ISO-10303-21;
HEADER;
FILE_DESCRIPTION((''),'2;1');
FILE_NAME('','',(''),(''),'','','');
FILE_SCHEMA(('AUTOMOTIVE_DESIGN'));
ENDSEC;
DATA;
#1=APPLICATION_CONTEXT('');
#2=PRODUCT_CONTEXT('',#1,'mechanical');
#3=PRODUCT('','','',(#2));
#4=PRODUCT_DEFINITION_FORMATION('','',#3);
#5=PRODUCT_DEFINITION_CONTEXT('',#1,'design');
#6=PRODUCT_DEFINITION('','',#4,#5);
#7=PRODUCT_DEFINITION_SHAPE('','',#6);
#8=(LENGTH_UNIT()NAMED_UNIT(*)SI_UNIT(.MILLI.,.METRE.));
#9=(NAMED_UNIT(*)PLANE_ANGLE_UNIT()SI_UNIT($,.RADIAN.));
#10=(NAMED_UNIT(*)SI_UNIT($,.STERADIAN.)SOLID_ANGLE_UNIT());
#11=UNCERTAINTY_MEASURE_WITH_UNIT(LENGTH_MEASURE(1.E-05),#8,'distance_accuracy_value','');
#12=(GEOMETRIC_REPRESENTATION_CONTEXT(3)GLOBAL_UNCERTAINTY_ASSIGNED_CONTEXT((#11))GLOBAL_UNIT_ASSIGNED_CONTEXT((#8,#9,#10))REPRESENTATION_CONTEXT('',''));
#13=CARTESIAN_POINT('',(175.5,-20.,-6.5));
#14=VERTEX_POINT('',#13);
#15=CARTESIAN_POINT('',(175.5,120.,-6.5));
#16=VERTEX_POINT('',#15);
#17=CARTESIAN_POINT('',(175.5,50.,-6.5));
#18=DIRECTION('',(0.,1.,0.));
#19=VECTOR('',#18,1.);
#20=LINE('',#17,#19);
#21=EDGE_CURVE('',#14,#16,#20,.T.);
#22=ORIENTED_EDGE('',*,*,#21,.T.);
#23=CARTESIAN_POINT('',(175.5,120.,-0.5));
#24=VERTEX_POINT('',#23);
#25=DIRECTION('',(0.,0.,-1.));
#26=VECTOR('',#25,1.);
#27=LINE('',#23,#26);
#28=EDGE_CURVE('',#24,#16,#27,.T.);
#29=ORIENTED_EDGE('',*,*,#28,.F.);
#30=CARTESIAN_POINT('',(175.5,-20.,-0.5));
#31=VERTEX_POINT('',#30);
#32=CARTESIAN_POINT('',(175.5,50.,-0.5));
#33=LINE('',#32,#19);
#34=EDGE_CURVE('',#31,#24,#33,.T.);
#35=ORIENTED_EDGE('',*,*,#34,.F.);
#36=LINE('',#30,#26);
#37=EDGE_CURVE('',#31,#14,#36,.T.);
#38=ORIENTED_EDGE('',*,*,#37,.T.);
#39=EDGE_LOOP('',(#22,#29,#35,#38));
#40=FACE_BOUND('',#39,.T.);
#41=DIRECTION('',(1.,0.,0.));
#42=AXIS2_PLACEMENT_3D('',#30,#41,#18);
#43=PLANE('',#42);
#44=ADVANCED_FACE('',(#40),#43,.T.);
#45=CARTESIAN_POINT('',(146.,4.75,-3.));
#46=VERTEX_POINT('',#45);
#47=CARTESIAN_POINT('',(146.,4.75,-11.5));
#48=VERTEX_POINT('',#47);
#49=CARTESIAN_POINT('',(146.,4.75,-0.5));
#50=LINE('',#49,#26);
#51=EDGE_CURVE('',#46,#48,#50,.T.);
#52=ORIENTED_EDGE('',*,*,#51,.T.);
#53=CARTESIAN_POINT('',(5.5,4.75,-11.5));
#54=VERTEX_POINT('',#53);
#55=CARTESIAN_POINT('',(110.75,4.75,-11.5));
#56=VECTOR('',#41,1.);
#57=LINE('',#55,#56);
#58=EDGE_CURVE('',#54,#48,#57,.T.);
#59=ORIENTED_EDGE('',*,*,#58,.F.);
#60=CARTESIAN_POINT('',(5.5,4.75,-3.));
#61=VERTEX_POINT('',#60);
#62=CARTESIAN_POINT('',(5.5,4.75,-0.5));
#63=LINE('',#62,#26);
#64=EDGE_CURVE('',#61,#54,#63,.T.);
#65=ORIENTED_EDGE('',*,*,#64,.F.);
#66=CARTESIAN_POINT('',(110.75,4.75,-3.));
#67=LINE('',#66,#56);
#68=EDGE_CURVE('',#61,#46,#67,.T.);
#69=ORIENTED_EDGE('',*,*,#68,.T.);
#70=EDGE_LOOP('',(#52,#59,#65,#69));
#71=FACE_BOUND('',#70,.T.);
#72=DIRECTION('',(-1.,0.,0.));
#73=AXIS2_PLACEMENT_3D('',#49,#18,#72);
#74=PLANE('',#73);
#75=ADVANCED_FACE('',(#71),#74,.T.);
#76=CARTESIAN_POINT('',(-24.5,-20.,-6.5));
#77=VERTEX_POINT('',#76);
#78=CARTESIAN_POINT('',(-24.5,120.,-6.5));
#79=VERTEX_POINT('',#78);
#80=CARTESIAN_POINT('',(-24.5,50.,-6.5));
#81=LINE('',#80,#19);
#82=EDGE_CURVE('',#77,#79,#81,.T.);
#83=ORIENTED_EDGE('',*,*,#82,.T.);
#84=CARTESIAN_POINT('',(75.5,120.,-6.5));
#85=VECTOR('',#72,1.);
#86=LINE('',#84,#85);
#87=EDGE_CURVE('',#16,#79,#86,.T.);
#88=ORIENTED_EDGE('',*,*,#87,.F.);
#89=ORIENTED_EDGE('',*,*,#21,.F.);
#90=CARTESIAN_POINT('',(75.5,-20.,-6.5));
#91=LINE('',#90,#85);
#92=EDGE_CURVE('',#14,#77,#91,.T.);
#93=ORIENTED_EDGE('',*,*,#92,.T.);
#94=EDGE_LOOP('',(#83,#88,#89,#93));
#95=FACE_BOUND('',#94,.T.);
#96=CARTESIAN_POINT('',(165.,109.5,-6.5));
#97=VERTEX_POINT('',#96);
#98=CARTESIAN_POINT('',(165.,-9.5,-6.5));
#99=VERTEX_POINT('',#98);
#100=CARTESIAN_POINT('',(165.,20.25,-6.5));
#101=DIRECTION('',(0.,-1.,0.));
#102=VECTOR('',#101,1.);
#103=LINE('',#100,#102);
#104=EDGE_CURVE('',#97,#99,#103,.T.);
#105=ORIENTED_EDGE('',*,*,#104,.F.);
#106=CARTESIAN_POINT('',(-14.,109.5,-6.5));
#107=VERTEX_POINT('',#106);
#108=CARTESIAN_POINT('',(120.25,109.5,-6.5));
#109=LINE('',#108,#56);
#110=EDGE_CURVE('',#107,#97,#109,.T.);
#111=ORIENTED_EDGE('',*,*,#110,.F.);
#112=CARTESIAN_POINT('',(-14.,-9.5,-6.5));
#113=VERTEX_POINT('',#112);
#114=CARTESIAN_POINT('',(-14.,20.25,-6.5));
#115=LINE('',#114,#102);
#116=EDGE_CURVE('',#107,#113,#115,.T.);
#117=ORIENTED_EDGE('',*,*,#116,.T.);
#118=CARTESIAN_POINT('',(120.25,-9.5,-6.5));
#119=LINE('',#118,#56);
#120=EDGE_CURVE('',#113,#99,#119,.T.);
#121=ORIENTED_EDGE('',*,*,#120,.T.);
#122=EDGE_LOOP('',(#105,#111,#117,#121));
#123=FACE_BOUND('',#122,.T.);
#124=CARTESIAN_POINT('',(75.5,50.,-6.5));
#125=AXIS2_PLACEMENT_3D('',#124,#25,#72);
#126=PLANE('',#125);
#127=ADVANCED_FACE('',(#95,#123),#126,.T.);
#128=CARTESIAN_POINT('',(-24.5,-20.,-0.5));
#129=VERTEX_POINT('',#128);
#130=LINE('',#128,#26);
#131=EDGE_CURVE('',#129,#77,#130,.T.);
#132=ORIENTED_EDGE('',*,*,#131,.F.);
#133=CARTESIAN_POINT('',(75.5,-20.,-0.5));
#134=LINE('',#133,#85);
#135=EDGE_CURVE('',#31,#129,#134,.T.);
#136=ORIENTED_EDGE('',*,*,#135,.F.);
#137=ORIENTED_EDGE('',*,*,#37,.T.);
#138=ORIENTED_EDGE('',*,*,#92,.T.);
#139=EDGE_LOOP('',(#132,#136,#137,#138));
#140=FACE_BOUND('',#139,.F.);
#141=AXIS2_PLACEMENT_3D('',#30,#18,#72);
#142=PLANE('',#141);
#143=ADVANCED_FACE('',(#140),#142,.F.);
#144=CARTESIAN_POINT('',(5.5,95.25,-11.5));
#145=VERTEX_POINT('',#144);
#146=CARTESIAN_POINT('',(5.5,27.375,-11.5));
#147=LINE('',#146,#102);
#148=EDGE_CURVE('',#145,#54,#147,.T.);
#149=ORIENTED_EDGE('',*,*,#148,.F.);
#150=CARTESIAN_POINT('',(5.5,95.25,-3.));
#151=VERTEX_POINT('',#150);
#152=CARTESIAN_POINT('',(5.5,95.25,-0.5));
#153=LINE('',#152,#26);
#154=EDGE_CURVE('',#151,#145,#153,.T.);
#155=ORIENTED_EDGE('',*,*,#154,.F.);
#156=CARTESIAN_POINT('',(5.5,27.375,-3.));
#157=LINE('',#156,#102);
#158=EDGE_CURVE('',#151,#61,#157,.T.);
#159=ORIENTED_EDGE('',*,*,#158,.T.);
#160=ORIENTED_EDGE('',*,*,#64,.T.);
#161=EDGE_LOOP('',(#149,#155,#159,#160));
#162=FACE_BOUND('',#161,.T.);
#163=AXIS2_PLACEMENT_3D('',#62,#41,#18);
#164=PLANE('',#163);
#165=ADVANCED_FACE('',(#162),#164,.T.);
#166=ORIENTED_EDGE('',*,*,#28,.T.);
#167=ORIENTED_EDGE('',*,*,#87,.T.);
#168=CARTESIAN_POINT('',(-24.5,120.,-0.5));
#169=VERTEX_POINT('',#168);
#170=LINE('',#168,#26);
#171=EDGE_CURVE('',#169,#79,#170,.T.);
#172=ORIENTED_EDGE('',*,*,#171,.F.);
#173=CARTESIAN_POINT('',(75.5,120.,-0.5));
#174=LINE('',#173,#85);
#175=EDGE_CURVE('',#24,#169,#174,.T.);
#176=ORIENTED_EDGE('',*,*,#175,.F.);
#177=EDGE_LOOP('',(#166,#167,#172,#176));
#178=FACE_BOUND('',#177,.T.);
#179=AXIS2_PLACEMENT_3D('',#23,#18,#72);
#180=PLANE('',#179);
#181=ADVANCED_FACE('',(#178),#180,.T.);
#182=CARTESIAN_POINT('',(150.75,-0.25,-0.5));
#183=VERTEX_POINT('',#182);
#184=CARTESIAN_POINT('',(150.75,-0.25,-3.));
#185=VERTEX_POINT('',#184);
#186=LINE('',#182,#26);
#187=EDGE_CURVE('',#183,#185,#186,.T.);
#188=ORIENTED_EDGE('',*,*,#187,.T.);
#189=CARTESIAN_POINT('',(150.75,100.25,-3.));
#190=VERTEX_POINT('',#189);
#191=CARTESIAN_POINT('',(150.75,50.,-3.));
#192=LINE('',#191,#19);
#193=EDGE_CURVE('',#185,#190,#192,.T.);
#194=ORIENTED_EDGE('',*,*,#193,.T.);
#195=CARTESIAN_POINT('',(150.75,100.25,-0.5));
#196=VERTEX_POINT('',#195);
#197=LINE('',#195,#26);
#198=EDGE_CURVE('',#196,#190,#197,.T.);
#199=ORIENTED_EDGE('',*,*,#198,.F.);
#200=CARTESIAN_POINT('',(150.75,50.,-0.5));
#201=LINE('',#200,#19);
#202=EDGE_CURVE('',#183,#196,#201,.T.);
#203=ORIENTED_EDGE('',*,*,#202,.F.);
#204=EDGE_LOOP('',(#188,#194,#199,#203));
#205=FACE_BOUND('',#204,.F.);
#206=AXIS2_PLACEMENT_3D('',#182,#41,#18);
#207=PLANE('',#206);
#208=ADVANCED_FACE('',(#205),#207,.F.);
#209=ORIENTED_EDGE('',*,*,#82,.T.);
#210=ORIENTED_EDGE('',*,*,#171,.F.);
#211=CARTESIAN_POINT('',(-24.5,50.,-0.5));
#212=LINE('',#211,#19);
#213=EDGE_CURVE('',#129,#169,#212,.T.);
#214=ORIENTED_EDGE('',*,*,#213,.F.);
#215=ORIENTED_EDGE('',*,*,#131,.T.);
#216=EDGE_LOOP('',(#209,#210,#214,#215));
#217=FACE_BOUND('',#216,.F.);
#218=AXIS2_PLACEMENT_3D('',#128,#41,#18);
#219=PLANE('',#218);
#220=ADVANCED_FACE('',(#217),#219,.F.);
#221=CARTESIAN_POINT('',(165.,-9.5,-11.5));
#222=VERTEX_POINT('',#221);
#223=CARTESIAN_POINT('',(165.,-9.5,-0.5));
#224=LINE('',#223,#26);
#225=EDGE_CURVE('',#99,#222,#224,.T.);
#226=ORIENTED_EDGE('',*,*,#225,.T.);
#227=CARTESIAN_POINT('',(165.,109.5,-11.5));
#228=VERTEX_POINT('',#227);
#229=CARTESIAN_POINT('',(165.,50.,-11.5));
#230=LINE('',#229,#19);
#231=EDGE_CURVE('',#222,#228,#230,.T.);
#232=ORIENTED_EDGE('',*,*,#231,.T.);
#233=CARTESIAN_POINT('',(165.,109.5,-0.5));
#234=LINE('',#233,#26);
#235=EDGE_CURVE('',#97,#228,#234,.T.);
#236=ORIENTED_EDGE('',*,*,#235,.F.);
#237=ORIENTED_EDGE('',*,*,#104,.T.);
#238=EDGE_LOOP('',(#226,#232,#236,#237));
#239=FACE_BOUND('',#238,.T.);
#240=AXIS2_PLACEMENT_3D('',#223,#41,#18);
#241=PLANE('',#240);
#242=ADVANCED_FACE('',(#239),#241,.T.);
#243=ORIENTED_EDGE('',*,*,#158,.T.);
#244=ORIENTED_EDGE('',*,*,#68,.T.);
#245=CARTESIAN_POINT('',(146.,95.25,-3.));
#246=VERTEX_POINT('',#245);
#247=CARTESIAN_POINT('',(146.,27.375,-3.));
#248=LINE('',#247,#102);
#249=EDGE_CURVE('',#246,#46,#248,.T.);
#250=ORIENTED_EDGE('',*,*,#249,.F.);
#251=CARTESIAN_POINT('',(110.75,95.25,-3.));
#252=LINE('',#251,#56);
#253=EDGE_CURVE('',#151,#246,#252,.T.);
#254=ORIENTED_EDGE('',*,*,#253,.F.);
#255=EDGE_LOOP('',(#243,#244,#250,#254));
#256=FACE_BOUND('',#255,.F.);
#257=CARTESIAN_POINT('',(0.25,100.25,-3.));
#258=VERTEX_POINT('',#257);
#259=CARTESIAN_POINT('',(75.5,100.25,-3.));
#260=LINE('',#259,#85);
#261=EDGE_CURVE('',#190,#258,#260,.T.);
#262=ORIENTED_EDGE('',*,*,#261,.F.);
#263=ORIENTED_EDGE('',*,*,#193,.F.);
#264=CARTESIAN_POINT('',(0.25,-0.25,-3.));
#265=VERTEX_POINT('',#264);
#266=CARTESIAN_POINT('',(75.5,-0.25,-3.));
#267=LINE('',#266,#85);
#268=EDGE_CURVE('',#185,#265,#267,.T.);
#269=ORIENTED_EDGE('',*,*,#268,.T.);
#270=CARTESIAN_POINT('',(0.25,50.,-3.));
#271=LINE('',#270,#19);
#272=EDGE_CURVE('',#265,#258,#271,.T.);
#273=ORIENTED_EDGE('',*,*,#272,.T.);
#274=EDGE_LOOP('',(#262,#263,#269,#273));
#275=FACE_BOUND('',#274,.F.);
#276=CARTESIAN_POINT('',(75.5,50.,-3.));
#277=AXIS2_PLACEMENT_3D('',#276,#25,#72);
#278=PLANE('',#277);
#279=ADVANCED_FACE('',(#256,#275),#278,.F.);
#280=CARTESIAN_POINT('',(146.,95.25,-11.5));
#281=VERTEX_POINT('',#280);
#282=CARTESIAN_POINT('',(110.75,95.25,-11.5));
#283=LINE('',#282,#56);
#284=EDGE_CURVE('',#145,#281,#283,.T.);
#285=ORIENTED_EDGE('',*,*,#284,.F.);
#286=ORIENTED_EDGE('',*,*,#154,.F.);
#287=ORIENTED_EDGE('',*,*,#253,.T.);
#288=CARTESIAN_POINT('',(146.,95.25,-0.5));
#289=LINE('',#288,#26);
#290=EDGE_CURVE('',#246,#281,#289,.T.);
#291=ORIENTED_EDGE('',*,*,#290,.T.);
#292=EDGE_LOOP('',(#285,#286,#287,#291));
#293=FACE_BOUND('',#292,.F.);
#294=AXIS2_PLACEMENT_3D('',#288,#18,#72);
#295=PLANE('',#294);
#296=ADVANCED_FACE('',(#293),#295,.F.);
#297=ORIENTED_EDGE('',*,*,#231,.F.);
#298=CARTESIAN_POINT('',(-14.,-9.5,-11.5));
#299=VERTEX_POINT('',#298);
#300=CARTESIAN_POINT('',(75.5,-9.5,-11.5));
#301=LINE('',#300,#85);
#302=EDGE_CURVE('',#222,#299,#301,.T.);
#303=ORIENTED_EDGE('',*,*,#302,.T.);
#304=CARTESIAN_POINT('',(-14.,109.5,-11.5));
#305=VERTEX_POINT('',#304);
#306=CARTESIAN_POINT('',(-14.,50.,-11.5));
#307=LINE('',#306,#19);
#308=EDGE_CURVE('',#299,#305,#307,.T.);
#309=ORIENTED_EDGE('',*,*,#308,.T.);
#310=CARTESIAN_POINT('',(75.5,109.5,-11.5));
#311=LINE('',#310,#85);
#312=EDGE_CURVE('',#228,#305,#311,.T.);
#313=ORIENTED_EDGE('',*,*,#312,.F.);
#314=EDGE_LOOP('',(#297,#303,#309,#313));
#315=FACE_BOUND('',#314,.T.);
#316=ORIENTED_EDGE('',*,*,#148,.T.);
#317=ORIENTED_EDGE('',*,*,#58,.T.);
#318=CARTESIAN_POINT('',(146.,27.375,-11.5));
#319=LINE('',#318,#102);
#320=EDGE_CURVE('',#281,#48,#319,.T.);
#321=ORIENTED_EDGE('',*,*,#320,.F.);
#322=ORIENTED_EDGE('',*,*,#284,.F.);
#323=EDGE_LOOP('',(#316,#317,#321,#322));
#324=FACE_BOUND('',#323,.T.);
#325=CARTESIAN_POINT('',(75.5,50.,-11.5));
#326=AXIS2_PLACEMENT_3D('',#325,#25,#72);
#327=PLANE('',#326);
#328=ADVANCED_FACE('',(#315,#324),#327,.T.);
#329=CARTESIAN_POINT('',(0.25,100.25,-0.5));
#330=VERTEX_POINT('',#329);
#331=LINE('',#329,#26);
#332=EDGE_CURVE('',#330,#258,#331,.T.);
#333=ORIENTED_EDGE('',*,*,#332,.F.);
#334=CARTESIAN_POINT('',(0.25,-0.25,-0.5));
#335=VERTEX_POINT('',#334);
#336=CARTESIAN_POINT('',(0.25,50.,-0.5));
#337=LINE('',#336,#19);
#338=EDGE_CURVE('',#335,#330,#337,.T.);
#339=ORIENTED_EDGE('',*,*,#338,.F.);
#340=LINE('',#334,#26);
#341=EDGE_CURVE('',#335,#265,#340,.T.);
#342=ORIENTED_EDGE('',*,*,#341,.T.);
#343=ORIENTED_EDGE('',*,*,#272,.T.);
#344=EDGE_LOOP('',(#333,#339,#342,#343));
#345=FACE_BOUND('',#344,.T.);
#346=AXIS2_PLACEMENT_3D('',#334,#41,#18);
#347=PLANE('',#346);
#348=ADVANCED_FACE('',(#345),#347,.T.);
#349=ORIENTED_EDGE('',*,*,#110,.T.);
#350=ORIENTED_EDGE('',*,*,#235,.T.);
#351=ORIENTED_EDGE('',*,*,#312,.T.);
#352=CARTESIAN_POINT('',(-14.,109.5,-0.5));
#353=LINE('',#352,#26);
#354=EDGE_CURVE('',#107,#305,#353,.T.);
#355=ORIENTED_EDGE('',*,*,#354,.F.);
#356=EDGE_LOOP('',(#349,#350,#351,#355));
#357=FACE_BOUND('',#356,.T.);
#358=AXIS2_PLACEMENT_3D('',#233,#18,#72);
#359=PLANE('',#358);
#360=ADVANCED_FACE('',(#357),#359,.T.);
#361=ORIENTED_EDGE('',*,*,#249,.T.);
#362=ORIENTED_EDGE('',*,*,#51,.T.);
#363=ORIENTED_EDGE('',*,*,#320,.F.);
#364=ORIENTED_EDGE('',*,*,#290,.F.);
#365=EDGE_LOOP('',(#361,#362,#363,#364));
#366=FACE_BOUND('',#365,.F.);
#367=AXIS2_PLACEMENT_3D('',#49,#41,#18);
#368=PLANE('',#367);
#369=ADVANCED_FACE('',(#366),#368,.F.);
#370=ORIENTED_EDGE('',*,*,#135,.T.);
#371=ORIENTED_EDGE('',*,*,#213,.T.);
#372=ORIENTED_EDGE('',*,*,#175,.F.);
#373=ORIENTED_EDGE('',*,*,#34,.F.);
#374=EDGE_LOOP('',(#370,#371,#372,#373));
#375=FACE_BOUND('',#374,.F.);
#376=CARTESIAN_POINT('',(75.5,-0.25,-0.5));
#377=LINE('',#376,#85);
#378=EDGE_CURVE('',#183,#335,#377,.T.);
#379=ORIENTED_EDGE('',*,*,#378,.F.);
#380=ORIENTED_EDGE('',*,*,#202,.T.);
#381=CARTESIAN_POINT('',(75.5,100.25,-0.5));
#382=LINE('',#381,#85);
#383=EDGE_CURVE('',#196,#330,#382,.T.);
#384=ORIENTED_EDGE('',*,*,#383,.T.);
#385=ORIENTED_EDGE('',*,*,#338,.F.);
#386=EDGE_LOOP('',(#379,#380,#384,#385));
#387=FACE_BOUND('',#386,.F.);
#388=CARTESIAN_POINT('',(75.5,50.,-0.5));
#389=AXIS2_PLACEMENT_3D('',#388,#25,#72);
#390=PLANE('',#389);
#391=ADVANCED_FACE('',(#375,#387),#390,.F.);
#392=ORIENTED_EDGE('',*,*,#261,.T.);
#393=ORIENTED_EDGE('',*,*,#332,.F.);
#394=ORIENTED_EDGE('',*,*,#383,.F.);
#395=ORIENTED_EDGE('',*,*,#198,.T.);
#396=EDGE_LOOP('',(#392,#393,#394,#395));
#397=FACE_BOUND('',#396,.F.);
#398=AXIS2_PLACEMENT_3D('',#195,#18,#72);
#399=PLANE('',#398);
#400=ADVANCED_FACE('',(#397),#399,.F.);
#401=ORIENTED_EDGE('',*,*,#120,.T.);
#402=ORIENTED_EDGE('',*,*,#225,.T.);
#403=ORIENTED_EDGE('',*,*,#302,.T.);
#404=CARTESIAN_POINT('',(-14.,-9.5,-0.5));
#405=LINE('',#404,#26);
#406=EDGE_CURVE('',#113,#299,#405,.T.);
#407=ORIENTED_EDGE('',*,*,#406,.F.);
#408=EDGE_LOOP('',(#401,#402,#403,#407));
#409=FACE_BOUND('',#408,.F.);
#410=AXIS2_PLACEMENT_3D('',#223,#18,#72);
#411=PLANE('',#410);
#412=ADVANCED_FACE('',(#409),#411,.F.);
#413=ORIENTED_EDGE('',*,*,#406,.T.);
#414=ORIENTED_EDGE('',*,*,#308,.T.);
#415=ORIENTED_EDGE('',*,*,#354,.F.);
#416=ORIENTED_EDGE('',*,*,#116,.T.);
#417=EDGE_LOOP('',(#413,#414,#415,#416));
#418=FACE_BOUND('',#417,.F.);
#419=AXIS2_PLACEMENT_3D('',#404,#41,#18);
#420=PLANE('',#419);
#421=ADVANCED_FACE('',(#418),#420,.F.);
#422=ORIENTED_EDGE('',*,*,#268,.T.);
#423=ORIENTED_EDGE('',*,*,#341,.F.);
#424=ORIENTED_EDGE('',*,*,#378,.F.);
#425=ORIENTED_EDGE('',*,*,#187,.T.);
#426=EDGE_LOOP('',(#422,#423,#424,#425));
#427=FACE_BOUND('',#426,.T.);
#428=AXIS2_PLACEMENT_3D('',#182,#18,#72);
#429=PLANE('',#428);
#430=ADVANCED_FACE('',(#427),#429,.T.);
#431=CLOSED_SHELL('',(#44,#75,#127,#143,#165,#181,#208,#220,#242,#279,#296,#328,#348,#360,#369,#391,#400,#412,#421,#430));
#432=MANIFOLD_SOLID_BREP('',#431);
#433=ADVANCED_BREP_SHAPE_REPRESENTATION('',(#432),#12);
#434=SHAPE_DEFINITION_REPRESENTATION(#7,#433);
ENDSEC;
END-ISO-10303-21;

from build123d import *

# Parameters (mm, degrees)
SKETCH028_W             = 200
SKETCH028_H             = 140
PAD014_DEPTH            = 6
SKETCH026_W             = 179
SKETCH026_H             = 119
PAD015_DEPTH            = 11
SKETCH027_W             = 150.5
SKETCH027_H             = 100.5
POCKET012_DEPTH         = 2.5
SKETCH025_W             = 140.5
SKETCH025_H             = 90.5
POCKET011_DEPTH         = 12
BODY007_PLACEMENT_ANGLE = 180


with BuildPart() as part:
    # Sketch028 → Pad014 (new body)
    with BuildSketch(Plane.XY):
        with Locations((100, 70)):
            Rectangle(SKETCH028_W, SKETCH028_H)
    extrude(amount=PAD014_DEPTH)

    # Sketch026 → Pad015 (join)
    with BuildSketch(Plane.XY):
        with Locations((100, 70)):
            Rectangle(SKETCH026_W, SKETCH026_H)
    extrude(amount=PAD015_DEPTH)

    # Sketch027 → Pocket012 (cut)
    with BuildSketch(Plane.XY):
        with Locations((100, 70)):
            Rectangle(SKETCH027_W, SKETCH027_H)
    extrude(amount=POCKET012_DEPTH, mode=Mode.SUBTRACT)

    # Sketch025 → Pocket011 (cut)
    with BuildSketch(Plane.XY):
        with Locations((99.75, 70)):
            Rectangle(SKETCH025_W, SKETCH025_H)
    extrude(amount=POCKET011_DEPTH, mode=Mode.SUBTRACT)


with BuildPart() as part_1:
    # Body007 placement: moved
    add(part.part.moved(Location((175.5, -20, -0.5))).rotate(Axis((175.5, -20, -0.5), (0, 1, 0)), BODY007_PLACEMENT_ANGLE))


solid = part_1.part
